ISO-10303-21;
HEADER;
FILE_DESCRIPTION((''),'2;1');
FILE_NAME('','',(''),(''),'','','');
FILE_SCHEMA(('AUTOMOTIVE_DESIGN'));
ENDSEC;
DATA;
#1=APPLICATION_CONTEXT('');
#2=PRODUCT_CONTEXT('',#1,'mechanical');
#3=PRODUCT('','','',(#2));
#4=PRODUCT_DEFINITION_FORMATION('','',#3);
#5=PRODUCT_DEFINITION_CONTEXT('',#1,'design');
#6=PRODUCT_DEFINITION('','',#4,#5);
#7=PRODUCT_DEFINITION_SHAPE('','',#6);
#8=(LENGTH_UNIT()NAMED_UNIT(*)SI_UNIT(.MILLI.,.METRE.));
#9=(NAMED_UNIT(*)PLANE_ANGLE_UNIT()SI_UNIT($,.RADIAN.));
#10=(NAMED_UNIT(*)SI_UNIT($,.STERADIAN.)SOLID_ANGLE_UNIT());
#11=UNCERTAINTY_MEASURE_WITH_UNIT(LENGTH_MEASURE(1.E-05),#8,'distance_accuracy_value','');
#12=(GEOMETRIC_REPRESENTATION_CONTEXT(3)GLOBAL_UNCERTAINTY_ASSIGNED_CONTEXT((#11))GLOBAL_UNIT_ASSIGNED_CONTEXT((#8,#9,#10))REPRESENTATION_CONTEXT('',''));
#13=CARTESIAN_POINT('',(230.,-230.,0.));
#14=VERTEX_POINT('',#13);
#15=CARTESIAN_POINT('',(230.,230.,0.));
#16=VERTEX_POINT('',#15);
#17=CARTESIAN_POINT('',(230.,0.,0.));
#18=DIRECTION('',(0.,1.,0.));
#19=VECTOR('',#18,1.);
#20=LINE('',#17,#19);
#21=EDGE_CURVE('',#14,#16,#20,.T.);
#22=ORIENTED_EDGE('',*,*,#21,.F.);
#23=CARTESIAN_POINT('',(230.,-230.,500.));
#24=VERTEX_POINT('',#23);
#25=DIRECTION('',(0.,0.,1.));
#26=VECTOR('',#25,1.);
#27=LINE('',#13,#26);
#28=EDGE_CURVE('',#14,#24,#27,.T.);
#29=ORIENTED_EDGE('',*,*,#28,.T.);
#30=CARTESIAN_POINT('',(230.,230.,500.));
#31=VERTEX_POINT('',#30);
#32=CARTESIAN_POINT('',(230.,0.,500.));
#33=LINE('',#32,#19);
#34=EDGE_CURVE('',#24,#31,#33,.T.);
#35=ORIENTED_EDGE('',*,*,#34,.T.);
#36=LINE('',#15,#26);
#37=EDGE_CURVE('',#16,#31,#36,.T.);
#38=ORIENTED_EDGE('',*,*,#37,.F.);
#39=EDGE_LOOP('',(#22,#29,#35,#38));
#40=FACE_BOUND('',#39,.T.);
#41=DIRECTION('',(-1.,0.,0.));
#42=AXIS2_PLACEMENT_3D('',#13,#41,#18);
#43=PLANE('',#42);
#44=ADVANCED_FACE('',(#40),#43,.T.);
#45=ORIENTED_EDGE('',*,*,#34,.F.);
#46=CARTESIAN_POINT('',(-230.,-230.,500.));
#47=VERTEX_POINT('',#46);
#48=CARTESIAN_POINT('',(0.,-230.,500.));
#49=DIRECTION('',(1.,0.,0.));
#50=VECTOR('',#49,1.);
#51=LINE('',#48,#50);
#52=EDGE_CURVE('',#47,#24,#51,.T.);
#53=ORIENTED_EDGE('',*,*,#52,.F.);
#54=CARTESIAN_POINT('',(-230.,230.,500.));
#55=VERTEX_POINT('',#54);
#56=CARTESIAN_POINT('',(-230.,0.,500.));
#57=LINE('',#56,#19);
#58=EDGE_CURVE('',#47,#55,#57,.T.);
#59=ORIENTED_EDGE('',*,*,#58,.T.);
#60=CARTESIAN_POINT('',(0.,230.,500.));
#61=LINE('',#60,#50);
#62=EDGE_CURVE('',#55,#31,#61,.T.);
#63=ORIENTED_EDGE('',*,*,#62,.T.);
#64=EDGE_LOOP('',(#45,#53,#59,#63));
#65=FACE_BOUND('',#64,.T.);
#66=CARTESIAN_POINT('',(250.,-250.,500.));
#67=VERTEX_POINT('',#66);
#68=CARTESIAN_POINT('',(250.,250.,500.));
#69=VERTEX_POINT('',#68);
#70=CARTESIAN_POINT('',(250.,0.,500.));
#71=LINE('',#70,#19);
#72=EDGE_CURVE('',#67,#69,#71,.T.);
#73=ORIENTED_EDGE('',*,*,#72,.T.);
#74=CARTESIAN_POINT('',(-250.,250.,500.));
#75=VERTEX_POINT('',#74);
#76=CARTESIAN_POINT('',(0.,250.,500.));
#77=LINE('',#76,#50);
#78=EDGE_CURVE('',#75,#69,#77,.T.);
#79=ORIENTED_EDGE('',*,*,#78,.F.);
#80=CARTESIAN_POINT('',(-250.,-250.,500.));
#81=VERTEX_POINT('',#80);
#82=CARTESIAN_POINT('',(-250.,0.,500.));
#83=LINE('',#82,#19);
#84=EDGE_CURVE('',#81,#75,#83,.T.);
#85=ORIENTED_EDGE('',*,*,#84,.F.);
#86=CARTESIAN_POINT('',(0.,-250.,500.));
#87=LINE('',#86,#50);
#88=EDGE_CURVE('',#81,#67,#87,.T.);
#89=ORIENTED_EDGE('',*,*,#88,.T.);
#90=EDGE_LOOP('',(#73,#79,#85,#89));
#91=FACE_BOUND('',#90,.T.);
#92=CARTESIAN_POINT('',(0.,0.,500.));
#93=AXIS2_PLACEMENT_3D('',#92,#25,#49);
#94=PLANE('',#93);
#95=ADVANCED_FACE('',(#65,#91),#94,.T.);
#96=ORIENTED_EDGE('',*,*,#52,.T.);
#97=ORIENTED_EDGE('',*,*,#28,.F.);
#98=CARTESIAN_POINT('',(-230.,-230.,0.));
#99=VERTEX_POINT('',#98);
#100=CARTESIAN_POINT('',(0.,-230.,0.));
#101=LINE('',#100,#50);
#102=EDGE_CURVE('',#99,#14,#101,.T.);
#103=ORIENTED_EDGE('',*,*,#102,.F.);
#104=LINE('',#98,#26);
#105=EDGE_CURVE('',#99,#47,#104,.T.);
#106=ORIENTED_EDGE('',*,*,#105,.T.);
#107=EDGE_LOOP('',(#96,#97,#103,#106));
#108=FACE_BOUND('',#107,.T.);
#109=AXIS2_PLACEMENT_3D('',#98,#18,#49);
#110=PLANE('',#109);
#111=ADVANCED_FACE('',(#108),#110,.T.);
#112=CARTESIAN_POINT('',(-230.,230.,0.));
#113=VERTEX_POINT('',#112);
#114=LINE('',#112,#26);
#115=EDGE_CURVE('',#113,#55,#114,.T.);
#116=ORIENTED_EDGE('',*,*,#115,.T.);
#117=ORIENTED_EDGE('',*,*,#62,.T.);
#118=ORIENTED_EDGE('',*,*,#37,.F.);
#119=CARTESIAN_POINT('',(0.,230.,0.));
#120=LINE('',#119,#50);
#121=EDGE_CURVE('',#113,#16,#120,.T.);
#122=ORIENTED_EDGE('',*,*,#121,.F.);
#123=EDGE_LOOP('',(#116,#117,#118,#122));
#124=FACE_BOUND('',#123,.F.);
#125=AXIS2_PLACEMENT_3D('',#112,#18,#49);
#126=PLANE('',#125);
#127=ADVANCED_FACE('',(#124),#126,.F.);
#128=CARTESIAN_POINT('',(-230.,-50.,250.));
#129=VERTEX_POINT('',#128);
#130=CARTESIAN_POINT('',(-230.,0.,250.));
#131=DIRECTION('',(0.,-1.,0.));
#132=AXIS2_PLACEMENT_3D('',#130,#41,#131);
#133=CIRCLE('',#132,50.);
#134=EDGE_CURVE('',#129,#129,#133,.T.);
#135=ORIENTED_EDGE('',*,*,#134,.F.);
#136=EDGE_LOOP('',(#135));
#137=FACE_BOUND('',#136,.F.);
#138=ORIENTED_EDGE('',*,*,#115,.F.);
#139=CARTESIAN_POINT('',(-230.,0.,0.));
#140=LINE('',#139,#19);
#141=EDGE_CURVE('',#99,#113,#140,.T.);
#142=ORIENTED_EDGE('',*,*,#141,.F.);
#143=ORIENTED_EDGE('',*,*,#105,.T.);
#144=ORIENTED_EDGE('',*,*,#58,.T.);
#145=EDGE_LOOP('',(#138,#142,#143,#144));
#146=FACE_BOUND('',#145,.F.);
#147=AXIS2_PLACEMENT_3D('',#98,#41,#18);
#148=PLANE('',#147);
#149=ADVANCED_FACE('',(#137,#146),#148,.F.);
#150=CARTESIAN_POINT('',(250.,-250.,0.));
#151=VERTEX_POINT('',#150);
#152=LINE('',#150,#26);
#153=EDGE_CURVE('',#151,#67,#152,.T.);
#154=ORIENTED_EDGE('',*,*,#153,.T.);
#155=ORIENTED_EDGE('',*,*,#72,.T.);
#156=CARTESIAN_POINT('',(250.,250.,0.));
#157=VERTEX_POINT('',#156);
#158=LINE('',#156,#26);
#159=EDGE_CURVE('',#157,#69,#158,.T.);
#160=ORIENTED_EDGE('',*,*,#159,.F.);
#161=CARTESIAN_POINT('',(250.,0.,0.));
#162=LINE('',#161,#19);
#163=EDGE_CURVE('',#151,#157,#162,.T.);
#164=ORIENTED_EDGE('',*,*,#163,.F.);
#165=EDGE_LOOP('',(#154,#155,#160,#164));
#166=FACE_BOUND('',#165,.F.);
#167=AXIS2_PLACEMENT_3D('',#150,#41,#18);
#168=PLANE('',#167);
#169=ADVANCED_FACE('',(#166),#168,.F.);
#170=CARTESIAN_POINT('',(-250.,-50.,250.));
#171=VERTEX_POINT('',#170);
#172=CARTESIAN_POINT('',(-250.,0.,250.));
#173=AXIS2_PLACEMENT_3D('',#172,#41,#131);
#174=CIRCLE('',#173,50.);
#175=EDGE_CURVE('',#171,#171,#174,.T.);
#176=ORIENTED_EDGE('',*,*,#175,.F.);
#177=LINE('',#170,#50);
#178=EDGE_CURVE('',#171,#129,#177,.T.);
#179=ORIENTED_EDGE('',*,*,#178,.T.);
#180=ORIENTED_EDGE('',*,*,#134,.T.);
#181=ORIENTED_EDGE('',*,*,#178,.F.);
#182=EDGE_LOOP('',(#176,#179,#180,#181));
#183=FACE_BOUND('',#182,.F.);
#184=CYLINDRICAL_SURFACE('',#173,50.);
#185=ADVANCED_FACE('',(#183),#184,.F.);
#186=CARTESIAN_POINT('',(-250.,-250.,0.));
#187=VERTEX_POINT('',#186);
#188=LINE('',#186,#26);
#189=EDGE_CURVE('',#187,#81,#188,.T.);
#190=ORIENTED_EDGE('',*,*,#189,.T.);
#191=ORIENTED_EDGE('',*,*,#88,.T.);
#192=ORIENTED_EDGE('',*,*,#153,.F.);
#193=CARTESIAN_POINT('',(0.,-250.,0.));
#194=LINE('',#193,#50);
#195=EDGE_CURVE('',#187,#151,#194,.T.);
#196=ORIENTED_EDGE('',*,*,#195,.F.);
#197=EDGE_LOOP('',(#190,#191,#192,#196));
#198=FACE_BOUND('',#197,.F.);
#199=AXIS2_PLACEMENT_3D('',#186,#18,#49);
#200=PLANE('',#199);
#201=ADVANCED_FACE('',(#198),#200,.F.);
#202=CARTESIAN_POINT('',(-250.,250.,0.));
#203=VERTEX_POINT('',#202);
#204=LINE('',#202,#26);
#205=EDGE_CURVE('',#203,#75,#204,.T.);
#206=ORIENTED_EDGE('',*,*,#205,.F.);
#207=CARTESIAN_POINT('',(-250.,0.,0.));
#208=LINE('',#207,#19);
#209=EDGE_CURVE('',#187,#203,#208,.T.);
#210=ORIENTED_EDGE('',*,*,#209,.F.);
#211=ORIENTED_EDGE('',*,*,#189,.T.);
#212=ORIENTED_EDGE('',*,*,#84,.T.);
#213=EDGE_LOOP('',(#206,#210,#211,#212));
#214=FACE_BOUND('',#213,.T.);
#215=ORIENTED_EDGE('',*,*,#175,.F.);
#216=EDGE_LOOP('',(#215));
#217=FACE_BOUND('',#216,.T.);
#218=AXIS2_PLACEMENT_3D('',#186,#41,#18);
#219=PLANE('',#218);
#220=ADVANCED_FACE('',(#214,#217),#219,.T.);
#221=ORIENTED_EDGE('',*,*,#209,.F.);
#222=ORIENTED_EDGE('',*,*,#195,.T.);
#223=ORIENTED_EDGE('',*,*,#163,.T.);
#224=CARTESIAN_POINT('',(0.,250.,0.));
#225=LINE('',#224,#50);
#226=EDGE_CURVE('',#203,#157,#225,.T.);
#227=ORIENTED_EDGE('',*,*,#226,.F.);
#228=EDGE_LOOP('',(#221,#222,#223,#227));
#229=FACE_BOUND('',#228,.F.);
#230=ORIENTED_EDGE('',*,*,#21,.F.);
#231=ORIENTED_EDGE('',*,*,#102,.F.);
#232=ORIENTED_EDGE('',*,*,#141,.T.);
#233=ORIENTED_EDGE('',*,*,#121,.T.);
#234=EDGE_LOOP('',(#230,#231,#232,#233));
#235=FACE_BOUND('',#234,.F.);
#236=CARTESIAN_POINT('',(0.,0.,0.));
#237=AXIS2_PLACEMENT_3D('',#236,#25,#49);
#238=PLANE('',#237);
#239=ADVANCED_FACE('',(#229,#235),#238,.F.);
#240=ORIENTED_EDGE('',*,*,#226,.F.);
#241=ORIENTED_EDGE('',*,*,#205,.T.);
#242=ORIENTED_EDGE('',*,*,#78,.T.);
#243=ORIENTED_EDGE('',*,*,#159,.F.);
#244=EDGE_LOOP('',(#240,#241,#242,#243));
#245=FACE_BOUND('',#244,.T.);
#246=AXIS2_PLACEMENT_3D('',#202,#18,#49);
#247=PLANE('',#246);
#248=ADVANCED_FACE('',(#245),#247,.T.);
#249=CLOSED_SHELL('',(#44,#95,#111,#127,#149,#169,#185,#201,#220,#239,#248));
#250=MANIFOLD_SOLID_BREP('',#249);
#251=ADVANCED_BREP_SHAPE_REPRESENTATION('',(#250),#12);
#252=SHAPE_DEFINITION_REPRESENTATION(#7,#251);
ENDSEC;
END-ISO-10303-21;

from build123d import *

# Parameters (mm, degrees)
F0_W     = 500
F0_H     = 500
F0_W_2   = 460
F0_H_2   = 460
F1_DEPTH = 500
F2_R     = 50
F3_DEPTH = 20


with BuildPart() as f1:
    # F0 (on Top) → F1 (new body)
    with BuildSketch(Plane.XY):
        Rectangle(F0_W, F0_H)
        Rectangle(F0_W_2, F0_H_2, mode=Mode.SUBTRACT)
    extrude(amount=F1_DEPTH)

    # F2 (on face) → F3 (cut, through all)
    with BuildSketch(Plane(origin=(-250, 0, 0), x_dir=(0, -1, 0), z_dir=(-1, 0, 0))):
        with Locations((0, 250)):
            Circle(F2_R)
    extrude(amount=-F3_DEPTH, mode=Mode.SUBTRACT)


solid = f1.part
